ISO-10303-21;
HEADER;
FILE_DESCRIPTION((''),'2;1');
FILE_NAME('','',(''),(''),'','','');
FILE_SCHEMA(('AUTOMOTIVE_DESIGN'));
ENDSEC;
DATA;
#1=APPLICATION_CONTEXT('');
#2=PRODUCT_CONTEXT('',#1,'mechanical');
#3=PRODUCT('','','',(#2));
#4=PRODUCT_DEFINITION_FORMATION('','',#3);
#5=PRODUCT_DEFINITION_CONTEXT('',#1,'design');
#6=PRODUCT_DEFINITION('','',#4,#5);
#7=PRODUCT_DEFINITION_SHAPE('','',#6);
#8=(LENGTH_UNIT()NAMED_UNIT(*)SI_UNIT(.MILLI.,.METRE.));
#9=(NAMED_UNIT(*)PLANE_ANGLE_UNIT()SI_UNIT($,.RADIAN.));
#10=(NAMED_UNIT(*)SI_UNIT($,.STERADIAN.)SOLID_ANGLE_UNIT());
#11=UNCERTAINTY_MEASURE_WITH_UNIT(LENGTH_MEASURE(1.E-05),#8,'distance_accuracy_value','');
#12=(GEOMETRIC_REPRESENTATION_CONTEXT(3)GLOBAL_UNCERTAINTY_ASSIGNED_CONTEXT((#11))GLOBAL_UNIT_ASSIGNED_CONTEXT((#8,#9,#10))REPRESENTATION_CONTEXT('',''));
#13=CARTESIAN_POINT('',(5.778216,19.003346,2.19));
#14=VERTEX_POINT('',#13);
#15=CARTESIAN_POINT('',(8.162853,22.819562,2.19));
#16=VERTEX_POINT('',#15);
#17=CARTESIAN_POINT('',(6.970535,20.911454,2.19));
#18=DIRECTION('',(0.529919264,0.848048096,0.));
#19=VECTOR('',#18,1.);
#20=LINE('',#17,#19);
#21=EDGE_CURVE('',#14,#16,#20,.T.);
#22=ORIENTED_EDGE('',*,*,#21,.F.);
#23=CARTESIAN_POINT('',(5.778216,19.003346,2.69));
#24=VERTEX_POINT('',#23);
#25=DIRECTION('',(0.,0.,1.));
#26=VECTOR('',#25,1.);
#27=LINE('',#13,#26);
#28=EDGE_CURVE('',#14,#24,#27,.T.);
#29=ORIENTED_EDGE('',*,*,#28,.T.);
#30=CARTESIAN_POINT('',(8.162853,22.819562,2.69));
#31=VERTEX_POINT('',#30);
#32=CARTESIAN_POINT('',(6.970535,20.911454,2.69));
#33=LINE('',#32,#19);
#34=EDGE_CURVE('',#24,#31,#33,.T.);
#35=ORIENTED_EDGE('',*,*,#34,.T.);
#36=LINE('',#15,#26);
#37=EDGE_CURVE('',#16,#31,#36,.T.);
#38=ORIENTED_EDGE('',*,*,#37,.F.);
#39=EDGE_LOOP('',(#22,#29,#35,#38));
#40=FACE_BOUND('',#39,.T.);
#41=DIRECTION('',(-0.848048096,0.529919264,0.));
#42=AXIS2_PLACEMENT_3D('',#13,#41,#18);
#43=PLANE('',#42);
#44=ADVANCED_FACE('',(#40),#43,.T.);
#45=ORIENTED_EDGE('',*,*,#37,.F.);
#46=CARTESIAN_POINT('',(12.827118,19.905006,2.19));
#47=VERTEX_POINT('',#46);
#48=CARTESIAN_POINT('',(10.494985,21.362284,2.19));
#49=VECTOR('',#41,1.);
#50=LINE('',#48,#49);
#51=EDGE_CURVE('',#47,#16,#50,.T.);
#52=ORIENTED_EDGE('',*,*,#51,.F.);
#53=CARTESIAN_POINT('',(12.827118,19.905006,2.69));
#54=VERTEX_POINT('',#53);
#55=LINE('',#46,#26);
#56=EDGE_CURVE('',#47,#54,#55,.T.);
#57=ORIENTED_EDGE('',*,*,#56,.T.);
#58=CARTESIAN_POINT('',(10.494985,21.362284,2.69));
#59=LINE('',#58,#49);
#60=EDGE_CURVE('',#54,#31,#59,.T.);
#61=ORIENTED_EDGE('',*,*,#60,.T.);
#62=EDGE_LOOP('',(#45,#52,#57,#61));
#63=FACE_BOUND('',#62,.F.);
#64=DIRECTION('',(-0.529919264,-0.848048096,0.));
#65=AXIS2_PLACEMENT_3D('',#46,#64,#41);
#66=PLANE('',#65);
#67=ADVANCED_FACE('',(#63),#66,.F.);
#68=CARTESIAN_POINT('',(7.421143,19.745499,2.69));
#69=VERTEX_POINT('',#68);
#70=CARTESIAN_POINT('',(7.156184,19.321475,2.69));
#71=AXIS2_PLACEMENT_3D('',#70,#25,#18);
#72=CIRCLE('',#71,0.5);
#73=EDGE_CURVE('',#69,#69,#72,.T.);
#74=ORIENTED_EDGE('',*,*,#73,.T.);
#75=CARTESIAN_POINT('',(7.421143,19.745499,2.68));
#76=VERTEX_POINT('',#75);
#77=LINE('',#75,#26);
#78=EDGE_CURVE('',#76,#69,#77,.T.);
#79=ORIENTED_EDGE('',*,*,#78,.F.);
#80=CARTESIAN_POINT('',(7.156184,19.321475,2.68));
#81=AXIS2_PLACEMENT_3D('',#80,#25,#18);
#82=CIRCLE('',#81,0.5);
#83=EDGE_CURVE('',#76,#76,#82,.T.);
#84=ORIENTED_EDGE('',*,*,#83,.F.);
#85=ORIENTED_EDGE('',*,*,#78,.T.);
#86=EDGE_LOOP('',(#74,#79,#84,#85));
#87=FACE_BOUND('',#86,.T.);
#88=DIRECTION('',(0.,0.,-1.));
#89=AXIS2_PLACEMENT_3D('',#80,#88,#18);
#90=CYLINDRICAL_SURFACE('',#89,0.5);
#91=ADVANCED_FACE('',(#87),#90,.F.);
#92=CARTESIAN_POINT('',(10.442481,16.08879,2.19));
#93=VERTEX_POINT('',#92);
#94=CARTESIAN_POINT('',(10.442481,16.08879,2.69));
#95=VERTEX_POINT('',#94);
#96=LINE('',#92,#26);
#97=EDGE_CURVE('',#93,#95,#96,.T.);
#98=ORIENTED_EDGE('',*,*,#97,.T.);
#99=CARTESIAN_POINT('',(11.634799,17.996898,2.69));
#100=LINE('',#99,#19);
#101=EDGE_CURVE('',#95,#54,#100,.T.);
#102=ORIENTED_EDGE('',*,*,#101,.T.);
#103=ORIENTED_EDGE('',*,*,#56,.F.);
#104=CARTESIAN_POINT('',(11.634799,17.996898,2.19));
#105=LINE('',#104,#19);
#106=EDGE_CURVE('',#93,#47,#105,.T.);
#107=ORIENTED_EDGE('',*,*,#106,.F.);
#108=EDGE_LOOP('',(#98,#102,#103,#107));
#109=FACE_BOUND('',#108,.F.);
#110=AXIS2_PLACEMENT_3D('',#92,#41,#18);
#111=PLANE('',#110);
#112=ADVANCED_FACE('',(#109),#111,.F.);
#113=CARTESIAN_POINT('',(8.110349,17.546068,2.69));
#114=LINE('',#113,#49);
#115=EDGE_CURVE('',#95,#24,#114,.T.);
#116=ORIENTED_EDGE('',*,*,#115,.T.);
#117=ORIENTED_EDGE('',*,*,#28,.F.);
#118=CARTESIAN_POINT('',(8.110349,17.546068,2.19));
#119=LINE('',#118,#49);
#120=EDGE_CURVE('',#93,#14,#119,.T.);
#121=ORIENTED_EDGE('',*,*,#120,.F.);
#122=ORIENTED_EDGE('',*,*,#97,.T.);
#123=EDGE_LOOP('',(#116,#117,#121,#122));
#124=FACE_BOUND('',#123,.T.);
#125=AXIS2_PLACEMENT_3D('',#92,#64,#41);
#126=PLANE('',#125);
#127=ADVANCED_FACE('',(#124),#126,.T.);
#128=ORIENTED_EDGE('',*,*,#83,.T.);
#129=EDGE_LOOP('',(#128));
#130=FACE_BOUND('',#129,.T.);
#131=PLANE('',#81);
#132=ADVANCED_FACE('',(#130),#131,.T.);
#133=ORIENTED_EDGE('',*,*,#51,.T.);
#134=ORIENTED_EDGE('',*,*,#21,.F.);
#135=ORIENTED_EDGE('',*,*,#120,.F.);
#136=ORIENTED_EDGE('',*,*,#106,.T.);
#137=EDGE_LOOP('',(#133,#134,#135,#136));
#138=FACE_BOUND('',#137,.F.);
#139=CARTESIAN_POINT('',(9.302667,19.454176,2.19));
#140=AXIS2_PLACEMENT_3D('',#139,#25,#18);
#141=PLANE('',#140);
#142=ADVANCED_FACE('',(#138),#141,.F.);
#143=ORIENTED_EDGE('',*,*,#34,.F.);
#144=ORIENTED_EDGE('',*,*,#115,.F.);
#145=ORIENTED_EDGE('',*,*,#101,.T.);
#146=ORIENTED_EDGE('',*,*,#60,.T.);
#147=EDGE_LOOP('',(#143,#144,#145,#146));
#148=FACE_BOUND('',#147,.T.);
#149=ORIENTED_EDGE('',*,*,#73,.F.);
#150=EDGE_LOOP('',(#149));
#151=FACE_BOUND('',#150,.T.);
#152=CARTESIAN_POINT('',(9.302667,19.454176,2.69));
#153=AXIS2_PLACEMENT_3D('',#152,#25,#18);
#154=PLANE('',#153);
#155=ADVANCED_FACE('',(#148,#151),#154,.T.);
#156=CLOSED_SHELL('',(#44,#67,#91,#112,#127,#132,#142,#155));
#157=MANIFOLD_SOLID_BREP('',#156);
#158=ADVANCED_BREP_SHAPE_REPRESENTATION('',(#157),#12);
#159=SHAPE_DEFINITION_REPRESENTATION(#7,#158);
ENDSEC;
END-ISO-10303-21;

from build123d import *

# Parameters (mm, degrees)
CYLINDER086_R          = 0.5
CYLINDER086_DEPTH      = 0.01
BOX185_W               = 4.5
BOX185_H               = 5.5
BOX185_DEPTH           = 0.5
CUT093_PLACEMENT_ANGLE = 58


with BuildPart() as cylinder086:
    # Cylinder086 → Cylinder086 (new body)
    with BuildSketch(Plane(origin=(1, 4.5, 0.49), x_dir=(1, 0, 0), z_dir=(0, 0, 1))):
        Circle(CYLINDER086_R)
    extrude(amount=CYLINDER086_DEPTH)


with BuildPart() as small_linbo3_plate093:
    # Box185 → Box185 (new body)
    with BuildSketch(Plane.XY):
        with Locations((2.25, 2.75)):
            Rectangle(BOX185_W, BOX185_H)
    extrude(amount=BOX185_DEPTH)

    # Cut093: cut Cylinder086
    add(cylinder086.part, mode=Mode.SUBTRACT)


with BuildPart() as small_linbo3_plate093_1:
    # Cut093 placement: moved
    add(small_linbo3_plate093.part.moved(Location((10.442481, 16.08879, 2.19))).rotate(Axis((10.442481, 16.08879, 2.19), (0, 0, 1)), CUT093_PLACEMENT_ANGLE))


solid = small_linbo3_plate093_1.part
